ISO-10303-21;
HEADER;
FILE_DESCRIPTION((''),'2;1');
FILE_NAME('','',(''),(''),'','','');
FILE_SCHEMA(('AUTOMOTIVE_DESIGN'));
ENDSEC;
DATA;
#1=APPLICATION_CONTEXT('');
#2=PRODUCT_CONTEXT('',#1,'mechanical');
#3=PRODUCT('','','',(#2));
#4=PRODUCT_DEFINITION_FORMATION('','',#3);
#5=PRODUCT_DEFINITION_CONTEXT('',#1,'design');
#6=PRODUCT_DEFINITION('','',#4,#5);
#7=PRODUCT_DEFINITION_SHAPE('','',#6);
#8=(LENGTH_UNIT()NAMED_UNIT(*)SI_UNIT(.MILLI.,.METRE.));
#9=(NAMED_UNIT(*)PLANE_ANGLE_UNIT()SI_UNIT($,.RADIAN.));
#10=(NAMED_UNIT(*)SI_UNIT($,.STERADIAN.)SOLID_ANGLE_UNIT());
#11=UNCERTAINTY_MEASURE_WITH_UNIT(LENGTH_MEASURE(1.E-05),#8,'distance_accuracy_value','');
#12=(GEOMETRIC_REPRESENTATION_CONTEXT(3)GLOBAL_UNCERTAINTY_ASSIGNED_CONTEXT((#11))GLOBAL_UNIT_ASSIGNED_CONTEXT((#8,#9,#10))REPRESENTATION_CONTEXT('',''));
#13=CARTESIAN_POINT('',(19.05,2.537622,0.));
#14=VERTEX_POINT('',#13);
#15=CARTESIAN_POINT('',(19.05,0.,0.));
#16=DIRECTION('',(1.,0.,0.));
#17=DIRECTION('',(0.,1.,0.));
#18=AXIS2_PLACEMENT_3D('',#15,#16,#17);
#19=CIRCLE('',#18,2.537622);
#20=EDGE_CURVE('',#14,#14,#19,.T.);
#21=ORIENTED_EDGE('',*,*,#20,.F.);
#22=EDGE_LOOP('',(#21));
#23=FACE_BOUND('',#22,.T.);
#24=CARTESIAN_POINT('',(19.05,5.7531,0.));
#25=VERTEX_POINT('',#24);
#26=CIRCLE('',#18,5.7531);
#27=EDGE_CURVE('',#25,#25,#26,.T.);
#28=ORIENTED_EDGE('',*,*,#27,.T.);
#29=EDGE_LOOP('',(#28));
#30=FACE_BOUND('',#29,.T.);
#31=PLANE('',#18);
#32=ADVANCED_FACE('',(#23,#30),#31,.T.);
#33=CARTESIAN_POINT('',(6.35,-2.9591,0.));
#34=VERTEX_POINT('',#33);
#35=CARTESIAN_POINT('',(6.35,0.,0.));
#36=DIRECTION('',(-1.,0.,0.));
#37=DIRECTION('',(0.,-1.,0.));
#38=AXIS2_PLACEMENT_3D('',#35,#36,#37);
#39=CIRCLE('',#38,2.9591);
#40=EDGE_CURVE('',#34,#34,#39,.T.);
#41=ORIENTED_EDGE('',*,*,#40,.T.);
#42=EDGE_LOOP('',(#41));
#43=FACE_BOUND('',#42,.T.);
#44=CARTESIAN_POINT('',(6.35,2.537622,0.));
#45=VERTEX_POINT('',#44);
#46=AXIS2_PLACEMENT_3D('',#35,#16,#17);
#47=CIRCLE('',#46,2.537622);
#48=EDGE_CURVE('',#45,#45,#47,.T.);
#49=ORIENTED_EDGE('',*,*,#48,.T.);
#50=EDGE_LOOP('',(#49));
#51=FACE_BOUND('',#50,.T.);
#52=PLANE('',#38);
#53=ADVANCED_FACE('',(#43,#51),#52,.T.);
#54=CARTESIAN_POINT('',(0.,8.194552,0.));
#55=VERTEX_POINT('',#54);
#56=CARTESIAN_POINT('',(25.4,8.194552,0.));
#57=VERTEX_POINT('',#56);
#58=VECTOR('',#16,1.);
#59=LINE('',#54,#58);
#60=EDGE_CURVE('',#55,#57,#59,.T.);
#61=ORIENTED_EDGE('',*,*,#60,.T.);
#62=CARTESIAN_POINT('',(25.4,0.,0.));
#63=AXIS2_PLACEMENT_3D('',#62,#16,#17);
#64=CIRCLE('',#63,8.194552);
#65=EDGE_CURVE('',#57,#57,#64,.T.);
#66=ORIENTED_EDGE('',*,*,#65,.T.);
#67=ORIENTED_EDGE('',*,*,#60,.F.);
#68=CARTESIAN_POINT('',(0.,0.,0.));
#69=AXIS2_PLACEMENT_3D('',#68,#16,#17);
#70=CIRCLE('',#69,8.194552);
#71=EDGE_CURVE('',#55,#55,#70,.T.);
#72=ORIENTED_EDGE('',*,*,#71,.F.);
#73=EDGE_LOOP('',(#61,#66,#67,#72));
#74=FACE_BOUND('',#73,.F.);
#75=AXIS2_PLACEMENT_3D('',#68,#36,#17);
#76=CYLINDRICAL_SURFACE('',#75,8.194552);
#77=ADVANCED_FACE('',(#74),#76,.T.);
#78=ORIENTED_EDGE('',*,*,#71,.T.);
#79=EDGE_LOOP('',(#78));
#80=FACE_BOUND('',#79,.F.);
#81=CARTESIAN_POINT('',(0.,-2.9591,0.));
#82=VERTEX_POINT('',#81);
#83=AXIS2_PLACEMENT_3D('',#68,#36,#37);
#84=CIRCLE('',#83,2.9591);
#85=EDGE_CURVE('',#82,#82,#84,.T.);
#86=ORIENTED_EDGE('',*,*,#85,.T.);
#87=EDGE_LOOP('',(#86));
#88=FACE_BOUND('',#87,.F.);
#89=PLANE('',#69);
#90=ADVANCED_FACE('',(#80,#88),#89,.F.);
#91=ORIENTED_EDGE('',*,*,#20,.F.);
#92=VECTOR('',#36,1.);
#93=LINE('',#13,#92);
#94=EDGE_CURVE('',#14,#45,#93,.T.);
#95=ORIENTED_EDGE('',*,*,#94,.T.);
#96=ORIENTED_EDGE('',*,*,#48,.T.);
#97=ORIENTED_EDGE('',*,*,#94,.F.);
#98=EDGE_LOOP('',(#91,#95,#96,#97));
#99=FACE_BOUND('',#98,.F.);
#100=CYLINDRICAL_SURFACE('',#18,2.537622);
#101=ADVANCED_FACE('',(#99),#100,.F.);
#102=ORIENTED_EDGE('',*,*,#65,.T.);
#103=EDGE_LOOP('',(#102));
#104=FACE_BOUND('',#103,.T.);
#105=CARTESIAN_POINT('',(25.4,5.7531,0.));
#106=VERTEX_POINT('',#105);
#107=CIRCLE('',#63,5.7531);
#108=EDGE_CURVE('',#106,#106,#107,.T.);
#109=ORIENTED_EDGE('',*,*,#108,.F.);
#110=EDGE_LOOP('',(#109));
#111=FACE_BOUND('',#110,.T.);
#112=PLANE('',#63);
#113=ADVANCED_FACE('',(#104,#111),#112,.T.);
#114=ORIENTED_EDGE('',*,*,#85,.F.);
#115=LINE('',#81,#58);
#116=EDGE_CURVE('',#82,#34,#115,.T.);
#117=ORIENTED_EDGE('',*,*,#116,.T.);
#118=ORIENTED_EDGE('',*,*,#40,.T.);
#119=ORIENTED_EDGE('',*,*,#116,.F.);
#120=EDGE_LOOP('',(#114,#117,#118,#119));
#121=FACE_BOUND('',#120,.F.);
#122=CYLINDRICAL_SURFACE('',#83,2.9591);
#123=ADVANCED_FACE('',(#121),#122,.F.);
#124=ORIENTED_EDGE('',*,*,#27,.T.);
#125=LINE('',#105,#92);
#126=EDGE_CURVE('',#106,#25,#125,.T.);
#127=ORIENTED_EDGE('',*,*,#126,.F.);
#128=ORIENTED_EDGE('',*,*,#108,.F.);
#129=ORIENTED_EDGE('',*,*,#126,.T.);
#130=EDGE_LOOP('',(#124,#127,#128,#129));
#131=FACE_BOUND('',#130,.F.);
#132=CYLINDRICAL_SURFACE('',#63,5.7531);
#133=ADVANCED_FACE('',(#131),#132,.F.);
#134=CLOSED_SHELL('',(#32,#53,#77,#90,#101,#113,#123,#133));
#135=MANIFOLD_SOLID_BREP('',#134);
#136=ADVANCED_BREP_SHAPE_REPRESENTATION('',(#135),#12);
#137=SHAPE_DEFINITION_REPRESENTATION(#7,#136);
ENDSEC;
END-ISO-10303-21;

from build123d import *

# Parameters (mm, degrees)
F0_R     = 8.194552
F1_DEPTH = 25.4
F2_R     = 5.7531
F3_DEPTH = 6.35
F4_R     = 2.537622
F5_DEPTH = 19.051
F6_R     = 2.9591
F7_DEPTH = 6.35


with BuildPart() as f1:
    # F0 (on Right) → F1 (new body)
    with BuildSketch(Plane.YZ):
        Circle(F0_R)
    extrude(amount=F1_DEPTH)

    # F2 (on face) → F3 (cut)
    with BuildSketch(Plane.YZ.offset(25.4)):
        Circle(F2_R)
    extrude(amount=-F3_DEPTH, mode=Mode.SUBTRACT)

    # F4 (on face) → F5 (cut, through all)
    with BuildSketch(Plane.YZ.offset(19.05)):
        Circle(F4_R)
    extrude(amount=-F5_DEPTH, mode=Mode.SUBTRACT)

    # F6 (on face) → F7 (cut)
    with BuildSketch(Plane(origin=(0, 0, 0), x_dir=(0, -1, 0), z_dir=(-1, 0, 0))):
        Circle(F6_R)
    extrude(amount=-F7_DEPTH, mode=Mode.SUBTRACT)


solid = f1.part
